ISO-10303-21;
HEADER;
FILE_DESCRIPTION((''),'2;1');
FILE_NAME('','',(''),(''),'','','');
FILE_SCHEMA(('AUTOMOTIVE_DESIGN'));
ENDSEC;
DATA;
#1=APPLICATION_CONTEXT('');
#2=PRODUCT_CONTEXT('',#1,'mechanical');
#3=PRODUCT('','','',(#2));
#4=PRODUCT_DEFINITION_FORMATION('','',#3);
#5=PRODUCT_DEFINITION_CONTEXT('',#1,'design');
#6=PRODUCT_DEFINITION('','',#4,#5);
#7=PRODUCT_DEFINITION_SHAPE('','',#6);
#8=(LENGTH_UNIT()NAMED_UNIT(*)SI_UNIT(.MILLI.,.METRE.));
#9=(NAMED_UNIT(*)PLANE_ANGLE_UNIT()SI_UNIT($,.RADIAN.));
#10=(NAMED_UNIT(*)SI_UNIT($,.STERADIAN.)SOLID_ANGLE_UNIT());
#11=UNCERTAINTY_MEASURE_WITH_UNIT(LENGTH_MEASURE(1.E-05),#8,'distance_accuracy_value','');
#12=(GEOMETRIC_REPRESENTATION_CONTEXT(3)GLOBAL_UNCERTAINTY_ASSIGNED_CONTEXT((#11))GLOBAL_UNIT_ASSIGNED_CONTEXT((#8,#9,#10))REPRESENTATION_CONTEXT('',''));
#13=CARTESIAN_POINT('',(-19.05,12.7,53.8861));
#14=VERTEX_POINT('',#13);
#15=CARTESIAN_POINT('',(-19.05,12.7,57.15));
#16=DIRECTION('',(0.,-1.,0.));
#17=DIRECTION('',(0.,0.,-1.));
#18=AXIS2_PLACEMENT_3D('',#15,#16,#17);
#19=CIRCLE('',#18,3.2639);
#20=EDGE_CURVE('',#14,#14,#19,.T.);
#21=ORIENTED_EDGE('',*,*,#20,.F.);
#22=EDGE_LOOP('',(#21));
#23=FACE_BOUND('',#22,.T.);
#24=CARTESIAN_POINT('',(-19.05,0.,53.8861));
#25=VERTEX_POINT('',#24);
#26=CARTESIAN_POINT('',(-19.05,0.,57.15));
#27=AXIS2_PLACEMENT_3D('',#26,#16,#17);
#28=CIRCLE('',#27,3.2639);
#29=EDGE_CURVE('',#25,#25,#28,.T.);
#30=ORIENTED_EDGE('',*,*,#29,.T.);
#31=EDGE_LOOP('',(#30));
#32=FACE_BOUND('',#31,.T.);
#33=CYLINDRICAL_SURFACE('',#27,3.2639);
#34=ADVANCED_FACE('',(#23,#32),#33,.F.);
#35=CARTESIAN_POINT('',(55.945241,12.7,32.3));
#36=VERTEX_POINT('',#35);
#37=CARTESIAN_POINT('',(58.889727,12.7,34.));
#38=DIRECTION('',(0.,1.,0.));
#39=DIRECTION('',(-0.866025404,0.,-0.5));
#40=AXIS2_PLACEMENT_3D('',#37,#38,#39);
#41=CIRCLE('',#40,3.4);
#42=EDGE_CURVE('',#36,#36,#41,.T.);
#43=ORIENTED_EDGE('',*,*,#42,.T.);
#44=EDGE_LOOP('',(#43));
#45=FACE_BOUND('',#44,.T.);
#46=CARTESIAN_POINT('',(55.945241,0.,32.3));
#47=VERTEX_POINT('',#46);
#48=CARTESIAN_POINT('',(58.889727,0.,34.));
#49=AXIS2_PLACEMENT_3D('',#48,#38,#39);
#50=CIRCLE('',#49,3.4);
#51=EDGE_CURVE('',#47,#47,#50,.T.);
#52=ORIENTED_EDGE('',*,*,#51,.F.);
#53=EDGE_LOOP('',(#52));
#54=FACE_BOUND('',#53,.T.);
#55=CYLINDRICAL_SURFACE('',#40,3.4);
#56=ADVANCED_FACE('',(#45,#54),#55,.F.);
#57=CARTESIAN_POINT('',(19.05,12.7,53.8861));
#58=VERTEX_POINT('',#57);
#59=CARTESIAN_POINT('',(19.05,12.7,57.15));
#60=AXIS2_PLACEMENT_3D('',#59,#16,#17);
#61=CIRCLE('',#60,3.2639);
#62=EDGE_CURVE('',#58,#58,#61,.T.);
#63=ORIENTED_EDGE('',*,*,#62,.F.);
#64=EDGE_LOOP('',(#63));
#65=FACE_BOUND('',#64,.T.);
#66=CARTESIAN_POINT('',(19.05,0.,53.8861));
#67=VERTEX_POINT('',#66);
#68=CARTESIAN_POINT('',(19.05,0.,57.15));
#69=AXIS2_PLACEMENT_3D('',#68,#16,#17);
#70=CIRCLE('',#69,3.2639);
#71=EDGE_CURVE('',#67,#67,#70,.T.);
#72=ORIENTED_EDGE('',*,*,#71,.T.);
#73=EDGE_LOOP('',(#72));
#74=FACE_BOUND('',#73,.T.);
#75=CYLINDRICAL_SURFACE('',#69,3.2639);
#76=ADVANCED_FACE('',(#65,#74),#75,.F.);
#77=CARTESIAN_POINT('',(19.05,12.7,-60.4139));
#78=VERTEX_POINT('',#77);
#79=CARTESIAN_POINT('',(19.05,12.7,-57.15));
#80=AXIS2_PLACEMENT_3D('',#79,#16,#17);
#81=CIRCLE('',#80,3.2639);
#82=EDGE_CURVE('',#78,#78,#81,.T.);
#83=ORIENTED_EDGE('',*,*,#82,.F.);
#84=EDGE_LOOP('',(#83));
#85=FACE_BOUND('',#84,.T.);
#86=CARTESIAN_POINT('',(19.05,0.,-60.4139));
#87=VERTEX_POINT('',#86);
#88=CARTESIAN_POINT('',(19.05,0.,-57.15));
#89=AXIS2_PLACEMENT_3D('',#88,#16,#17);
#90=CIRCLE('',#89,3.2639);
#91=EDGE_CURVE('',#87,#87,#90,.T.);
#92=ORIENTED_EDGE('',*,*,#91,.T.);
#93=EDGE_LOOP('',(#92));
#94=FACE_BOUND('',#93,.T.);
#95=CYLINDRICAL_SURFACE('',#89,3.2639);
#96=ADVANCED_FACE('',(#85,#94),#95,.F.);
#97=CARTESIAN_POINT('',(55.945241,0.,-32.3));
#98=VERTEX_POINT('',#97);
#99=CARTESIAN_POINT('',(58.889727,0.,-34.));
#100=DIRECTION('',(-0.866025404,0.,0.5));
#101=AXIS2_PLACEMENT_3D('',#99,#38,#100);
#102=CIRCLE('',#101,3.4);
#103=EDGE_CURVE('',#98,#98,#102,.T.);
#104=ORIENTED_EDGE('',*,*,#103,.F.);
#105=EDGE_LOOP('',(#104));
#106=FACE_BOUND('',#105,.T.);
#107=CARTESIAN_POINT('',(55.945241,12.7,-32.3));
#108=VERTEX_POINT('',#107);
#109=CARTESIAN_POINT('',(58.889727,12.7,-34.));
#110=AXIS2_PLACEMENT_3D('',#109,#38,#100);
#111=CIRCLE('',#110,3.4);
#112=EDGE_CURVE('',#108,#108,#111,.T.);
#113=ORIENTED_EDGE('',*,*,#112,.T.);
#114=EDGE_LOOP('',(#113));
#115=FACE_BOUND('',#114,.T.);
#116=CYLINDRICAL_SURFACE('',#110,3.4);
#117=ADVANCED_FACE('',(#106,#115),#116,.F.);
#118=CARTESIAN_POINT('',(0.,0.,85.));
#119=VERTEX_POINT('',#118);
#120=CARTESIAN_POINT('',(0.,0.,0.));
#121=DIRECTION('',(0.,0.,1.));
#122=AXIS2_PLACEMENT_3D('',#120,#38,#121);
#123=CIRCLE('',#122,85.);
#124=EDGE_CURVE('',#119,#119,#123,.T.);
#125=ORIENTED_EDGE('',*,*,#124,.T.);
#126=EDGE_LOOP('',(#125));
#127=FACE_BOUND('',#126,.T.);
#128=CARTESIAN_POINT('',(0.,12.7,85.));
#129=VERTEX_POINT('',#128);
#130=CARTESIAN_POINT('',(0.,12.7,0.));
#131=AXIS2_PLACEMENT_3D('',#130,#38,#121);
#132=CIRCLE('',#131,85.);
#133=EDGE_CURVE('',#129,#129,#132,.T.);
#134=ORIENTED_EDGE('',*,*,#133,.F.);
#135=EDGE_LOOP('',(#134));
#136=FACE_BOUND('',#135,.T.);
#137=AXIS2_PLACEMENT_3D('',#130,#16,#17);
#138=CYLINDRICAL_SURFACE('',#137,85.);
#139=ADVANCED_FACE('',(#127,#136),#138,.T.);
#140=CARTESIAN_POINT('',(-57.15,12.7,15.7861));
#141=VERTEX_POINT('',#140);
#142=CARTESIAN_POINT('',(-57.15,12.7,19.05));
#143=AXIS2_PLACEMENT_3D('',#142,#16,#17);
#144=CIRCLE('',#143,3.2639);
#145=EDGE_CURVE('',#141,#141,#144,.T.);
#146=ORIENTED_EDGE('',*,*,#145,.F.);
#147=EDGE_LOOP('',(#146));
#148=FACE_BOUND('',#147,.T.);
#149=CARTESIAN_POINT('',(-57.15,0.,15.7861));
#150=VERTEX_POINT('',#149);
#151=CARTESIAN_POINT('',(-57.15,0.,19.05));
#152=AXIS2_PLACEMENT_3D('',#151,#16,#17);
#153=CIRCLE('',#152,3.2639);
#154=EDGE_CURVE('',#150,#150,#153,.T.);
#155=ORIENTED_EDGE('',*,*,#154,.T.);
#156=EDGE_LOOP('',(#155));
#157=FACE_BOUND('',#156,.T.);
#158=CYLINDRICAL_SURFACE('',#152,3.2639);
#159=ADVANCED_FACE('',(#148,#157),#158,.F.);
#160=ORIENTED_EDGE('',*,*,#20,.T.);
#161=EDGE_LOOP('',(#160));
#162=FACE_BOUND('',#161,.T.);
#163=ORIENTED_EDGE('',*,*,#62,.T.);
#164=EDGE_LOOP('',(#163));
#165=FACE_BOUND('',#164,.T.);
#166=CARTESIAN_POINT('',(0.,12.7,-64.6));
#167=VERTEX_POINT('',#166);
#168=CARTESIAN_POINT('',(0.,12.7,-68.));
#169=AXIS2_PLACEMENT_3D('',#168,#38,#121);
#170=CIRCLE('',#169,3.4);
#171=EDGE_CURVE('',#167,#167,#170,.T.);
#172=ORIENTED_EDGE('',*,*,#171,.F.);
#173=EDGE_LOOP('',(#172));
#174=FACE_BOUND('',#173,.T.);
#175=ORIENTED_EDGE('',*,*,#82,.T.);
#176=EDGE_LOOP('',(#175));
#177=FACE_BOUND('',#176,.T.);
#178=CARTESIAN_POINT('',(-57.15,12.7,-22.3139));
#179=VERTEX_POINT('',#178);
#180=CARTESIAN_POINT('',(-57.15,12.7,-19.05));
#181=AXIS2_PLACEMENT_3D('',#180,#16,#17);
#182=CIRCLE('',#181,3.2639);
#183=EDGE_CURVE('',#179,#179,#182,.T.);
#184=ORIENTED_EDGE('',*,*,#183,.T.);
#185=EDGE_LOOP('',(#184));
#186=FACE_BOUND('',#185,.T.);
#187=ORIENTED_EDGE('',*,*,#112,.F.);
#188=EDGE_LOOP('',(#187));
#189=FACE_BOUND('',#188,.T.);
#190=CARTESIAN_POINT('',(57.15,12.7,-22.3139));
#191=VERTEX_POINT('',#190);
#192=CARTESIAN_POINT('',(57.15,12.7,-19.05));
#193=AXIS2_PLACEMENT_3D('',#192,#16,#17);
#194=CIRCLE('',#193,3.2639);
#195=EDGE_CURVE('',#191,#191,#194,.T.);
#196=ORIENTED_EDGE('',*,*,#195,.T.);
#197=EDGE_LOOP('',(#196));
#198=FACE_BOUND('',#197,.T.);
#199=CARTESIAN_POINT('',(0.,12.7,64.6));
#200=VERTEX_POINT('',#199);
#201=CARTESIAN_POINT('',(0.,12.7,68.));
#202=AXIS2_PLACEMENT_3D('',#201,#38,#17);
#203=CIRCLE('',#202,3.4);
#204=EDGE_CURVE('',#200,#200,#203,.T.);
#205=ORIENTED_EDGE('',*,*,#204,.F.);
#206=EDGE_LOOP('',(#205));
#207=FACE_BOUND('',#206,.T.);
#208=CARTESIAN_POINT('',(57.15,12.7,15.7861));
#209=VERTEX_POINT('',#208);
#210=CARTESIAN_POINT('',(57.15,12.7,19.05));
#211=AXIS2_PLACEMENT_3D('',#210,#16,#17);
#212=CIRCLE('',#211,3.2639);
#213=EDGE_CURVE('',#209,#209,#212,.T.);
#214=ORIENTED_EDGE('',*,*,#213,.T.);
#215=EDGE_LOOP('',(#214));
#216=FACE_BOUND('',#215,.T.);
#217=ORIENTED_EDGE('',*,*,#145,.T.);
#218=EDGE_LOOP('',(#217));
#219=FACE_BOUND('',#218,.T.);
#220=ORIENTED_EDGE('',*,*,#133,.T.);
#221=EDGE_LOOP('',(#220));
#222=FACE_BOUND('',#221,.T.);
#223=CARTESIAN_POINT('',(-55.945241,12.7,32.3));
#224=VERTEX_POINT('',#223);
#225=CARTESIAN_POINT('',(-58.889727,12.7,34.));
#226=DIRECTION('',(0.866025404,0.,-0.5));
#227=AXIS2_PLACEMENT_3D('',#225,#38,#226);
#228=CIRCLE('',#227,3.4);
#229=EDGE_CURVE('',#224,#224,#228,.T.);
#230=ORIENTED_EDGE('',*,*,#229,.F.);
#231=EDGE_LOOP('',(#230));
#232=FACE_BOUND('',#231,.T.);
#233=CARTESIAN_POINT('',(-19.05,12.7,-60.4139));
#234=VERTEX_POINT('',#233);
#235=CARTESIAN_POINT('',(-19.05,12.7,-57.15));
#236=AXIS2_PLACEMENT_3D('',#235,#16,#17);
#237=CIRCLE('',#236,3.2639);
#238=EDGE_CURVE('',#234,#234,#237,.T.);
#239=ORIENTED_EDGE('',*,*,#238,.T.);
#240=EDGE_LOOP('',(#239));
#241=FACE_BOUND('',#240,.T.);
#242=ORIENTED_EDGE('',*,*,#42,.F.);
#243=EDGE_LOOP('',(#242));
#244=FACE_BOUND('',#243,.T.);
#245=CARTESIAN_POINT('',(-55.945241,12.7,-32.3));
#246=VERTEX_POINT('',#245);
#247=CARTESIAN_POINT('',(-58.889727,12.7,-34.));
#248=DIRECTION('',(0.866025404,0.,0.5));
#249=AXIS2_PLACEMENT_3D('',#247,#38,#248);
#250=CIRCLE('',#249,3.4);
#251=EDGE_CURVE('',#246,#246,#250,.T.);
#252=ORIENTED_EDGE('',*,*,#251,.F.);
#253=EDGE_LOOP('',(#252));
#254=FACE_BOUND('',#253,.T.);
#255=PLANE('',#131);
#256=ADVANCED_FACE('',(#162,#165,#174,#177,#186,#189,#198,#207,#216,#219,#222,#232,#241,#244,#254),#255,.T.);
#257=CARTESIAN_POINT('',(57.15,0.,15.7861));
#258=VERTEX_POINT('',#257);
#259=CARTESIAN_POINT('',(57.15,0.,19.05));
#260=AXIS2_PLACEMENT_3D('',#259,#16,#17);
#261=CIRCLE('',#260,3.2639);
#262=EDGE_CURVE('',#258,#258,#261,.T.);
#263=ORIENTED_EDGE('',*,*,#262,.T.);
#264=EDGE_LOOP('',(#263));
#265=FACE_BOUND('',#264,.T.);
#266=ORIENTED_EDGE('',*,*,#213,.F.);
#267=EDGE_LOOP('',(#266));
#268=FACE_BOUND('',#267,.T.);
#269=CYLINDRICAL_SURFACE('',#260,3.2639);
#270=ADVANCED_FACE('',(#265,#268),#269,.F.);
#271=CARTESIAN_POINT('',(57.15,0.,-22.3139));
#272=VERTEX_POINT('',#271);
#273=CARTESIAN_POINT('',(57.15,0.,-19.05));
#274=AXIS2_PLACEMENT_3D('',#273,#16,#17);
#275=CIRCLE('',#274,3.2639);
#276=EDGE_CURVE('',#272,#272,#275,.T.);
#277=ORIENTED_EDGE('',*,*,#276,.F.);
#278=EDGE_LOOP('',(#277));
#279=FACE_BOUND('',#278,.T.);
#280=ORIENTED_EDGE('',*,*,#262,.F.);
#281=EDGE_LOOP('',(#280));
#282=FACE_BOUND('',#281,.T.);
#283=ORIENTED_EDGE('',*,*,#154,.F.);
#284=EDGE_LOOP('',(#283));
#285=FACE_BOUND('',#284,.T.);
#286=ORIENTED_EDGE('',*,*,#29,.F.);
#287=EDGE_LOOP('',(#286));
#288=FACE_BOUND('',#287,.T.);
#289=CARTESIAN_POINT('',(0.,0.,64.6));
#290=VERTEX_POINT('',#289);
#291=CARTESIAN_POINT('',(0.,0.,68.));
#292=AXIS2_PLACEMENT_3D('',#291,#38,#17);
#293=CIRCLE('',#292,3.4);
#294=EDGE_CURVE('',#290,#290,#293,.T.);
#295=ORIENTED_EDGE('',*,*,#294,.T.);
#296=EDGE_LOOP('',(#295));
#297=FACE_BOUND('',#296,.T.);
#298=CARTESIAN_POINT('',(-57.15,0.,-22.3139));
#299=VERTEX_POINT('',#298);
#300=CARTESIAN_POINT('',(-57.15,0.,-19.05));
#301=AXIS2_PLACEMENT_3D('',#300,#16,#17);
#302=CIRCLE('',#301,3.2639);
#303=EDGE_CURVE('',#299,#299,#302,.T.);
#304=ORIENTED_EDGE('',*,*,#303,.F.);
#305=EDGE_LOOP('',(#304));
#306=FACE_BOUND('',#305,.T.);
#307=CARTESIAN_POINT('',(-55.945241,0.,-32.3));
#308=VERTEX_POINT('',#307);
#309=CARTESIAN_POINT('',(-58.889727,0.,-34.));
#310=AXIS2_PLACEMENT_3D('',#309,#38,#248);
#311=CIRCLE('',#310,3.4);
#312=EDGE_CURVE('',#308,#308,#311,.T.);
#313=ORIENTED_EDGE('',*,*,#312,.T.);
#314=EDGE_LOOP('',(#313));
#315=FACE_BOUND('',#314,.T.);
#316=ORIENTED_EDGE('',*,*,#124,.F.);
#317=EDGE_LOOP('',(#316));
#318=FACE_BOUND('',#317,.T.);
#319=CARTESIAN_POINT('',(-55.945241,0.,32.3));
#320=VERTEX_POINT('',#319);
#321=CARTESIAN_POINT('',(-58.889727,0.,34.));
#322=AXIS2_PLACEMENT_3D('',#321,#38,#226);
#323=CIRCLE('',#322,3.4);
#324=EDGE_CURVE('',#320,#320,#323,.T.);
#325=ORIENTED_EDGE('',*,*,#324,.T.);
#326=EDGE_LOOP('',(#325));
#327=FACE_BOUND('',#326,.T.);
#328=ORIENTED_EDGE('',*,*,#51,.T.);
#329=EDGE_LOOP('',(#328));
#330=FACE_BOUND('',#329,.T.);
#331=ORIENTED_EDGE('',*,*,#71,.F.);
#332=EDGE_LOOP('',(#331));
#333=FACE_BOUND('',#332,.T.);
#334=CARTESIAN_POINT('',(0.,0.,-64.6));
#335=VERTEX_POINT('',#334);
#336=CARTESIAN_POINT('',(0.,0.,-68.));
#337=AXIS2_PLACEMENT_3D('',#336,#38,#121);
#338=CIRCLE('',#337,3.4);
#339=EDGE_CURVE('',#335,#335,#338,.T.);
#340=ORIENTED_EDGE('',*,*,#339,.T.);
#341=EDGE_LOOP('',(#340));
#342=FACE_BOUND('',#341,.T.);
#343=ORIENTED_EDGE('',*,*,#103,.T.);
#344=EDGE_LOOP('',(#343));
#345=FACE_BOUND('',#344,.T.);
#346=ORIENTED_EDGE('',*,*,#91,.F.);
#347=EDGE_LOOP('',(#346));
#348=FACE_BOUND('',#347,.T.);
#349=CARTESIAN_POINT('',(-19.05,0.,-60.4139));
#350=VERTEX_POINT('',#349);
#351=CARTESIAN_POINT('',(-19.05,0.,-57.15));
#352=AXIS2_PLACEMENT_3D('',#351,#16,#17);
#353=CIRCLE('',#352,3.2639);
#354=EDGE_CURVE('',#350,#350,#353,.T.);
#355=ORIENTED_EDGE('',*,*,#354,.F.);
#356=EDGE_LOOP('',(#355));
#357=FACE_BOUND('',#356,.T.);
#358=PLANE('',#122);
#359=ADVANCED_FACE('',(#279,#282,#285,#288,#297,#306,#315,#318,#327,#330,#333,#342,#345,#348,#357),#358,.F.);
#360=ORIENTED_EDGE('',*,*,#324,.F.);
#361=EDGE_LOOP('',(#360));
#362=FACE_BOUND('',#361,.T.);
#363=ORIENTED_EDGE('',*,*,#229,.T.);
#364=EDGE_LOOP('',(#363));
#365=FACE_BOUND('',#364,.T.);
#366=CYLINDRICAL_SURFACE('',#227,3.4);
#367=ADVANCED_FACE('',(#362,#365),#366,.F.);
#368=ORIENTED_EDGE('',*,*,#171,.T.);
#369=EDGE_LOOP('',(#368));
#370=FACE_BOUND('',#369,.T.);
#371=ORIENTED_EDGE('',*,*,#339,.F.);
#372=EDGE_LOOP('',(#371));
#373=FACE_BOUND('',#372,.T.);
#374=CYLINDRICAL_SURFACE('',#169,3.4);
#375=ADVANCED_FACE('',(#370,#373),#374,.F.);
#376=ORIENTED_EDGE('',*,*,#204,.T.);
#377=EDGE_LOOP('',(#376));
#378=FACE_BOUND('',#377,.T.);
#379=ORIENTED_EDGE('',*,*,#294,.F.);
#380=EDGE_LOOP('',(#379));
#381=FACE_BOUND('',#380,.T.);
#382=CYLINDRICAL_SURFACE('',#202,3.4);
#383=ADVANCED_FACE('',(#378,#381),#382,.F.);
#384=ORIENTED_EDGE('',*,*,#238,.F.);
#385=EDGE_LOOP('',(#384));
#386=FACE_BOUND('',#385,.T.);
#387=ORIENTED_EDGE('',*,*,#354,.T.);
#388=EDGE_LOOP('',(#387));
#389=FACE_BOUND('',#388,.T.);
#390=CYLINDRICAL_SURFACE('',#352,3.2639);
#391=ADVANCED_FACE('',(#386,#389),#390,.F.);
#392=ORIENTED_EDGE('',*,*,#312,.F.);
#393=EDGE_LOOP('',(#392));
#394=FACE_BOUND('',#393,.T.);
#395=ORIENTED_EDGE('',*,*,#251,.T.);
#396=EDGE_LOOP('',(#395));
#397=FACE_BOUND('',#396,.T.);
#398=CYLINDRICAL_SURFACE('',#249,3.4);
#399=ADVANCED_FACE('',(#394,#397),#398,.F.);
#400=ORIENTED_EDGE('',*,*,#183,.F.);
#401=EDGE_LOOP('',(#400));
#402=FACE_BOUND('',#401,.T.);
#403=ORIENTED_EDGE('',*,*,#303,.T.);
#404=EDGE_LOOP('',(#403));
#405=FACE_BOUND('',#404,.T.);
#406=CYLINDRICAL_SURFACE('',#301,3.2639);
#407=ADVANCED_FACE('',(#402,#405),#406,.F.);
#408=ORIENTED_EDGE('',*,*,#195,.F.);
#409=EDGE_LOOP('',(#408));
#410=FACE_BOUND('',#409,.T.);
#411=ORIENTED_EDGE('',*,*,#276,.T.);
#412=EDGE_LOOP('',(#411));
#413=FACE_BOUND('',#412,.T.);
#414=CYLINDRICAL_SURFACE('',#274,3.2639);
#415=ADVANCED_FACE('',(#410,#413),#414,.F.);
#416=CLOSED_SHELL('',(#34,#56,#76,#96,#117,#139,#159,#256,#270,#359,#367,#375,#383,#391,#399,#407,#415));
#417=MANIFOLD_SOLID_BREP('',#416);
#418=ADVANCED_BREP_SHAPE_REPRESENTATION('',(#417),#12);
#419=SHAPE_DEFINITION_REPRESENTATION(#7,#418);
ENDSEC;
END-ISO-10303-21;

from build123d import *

# Parameters (mm, degrees)
SKETCH1_R                = 85
BOSS_EXTRUDE1_DEPTH      = 12.7
M8X1_25_TAPPED_HOLE1_D   = 6.8
CIRPATTERN3_COUNT        = 6
F_5_16_18_TAPPED_HOLE1_D = 6.5278
CIRPATTERN2_COUNT        = 4


with BuildPart() as part:
    # Sketch1 → Boss-Extrude1 (new body)
    with BuildSketch(Plane(origin=(0, 0, 0), x_dir=(1, 0, 0), z_dir=(0, 1, 0))):
        with Locations(Location((0, 0, 0), (0, 0, 270))):
            Circle(SKETCH1_R)
    extrude(amount=BOSS_EXTRUDE1_DEPTH)

    # M8x1.25 Tapped Hole1 (through all)
    with Locations(Plane(origin=(0, 12.7, 0), x_dir=(1, 0, 0), z_dir=(0, 1, 0))):
        with Locations((0, 68)):
            m8x1_25_tapped_hole1 = Hole(M8X1_25_TAPPED_HOLE1_D / 2)

    # CirPattern3: M8x1.25 Tapped Hole1 ×6 about axis
    cirpattern3_axis = Axis((0, 0, 0), (0, 1, 0))
    for i in range(1, CIRPATTERN3_COUNT):
        add(m8x1_25_tapped_hole1.rotate(cirpattern3_axis, i * 360 / CIRPATTERN3_COUNT), mode=Mode.SUBTRACT)

    # 5/16-18 Tapped Hole1 (through all)
    with Locations(Plane(origin=(0, 0, 0), x_dir=(-1, 0, 0), z_dir=(0, -1, 0))):
        with Locations((-19.049999999, 57.15), (19.049999999, 57.15)):
            f_5_16_18_tapped_hole1 = Hole(F_5_16_18_TAPPED_HOLE1_D / 2)

    # CirPattern2: 5/16-18 Tapped Hole1 ×4 about axis
    cirpattern2_axis = Axis((0, 0, 0), (0, 1, 0))
    for i in range(1, CIRPATTERN2_COUNT):
        add(f_5_16_18_tapped_hole1.rotate(cirpattern2_axis, i * 360 / CIRPATTERN2_COUNT), mode=Mode.SUBTRACT)


solid = part.part
